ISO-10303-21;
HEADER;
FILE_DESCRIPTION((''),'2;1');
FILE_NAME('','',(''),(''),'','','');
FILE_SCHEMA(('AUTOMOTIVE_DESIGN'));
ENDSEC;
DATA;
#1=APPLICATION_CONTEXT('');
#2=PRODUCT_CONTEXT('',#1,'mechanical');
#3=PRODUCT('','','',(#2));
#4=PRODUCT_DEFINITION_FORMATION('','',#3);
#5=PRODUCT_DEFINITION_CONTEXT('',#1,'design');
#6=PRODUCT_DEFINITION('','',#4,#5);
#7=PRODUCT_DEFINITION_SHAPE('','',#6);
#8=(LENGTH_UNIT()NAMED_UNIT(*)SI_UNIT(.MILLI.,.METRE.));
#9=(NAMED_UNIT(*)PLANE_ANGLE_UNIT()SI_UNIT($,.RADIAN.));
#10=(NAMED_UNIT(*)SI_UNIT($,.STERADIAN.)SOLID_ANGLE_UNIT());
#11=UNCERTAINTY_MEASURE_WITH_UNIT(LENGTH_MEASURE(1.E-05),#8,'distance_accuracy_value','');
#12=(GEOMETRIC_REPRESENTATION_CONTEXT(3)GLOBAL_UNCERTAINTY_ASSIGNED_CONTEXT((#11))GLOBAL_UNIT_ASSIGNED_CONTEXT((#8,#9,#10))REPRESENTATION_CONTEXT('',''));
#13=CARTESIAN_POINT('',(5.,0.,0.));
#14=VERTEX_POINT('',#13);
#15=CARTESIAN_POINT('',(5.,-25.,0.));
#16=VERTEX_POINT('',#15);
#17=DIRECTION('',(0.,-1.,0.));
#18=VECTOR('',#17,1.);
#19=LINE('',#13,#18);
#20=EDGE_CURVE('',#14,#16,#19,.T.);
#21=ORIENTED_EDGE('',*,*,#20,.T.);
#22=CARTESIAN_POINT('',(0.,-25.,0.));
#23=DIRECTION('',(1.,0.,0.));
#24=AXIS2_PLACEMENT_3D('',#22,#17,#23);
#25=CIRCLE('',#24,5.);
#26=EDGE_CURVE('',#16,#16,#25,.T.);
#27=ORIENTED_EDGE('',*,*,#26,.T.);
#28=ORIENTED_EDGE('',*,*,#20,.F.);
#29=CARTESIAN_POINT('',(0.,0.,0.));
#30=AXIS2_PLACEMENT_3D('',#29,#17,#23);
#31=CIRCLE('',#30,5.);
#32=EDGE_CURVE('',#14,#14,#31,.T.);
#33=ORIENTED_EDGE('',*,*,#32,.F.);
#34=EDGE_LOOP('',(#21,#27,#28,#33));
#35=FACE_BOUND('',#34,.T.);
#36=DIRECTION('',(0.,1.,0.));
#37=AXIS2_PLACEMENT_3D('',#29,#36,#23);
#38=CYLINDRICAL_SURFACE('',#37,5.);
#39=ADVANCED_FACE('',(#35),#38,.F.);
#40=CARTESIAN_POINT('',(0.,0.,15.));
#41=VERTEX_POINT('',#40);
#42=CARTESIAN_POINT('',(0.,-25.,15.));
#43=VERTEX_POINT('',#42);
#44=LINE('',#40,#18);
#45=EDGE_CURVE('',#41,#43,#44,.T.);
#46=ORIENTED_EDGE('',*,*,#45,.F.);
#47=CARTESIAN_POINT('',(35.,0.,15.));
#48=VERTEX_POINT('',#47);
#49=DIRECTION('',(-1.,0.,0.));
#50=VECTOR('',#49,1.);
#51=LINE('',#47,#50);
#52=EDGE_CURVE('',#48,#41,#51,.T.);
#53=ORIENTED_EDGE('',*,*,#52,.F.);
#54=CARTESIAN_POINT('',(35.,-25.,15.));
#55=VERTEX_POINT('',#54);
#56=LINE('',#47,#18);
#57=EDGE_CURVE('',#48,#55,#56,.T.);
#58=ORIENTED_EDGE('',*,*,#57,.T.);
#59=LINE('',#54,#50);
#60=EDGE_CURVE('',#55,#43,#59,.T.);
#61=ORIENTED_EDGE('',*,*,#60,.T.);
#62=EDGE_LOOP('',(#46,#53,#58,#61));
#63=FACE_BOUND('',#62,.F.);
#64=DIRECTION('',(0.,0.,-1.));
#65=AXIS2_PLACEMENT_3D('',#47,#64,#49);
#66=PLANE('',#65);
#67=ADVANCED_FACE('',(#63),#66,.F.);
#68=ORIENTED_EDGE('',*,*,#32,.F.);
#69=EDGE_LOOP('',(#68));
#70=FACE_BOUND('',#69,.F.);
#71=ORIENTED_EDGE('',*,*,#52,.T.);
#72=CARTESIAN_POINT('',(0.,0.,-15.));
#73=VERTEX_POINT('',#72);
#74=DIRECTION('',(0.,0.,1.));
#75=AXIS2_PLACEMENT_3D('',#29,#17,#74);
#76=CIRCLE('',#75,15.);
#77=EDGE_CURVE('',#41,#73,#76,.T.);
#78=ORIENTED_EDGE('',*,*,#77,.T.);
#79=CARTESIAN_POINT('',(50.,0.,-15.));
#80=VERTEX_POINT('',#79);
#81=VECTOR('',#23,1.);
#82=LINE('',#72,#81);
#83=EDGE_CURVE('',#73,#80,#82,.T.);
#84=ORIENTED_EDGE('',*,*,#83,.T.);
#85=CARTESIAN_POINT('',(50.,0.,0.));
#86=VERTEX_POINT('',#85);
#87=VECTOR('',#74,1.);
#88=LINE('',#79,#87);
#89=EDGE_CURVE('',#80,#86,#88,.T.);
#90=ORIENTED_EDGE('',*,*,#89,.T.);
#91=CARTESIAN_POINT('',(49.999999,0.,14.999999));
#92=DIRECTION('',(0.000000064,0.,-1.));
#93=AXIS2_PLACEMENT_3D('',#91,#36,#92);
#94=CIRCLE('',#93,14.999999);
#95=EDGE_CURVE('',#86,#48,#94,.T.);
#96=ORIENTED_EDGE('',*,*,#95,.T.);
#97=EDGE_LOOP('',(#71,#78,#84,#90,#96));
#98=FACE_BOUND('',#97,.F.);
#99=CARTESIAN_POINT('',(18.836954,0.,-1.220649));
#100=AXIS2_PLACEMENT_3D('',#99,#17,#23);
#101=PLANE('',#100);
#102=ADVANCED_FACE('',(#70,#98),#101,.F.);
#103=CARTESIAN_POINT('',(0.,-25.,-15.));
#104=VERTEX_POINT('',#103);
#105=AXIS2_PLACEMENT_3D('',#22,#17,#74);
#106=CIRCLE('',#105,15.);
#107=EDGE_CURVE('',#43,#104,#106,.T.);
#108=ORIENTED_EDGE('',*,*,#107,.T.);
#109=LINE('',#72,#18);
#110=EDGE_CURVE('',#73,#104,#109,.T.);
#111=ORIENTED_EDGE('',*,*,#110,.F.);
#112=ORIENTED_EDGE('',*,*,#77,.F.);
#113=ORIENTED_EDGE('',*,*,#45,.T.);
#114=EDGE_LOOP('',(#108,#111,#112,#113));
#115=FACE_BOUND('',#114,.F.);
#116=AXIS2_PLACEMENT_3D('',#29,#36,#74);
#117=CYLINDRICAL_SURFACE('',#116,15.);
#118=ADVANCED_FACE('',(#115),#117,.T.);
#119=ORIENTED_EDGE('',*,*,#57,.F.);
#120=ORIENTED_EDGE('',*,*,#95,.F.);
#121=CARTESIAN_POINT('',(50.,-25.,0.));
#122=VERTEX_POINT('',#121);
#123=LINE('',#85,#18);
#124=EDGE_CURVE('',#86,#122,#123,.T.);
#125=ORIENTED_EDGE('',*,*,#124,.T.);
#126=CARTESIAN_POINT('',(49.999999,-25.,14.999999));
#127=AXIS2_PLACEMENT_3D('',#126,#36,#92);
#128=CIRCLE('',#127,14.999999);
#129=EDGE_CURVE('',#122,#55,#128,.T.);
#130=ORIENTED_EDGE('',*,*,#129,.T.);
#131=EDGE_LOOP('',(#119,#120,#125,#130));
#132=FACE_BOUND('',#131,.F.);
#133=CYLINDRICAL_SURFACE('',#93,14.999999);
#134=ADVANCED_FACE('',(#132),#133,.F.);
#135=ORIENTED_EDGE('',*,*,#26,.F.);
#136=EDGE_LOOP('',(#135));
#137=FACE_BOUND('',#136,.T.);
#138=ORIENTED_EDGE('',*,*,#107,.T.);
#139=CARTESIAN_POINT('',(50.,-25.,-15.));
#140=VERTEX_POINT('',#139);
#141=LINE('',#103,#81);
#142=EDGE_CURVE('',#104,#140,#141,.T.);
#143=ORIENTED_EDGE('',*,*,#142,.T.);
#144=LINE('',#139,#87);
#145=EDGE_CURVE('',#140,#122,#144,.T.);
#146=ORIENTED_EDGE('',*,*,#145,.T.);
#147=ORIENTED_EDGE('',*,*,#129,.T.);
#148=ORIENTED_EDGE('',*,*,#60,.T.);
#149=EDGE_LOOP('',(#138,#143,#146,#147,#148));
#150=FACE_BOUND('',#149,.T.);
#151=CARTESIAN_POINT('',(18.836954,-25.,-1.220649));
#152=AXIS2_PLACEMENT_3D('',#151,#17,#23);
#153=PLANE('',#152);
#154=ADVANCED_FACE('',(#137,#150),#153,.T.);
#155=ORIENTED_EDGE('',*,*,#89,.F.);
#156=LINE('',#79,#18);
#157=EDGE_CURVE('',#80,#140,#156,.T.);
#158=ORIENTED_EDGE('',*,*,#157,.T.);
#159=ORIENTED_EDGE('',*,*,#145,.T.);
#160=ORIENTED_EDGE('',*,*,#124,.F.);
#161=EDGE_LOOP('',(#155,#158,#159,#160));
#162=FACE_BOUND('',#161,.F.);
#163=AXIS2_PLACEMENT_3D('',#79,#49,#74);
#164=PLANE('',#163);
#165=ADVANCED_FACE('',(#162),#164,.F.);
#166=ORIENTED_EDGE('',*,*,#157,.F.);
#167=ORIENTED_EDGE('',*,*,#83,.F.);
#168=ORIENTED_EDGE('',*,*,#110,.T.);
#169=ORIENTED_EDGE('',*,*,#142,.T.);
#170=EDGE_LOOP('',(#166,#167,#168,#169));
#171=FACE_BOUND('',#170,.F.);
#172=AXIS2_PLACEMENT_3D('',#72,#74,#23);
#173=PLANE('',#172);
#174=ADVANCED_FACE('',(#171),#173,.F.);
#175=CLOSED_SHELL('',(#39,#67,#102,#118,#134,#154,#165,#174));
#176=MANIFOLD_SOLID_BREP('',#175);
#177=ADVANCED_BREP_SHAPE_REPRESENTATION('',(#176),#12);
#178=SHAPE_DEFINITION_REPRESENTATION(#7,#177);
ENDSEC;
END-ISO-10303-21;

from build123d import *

# Parameters (mm, degrees)
F0_R     = 5
F1_DEPTH = 25


with BuildPart() as f1:
    # F0 (on Front) → F1 (new body)
    with BuildSketch(Plane.XZ):
        with BuildLine():
            Line((35, 15), (0, 15))
            ThreePointArc((0, 15), (-15, 0), (0, -15))
            Line((0, -15), (50, -15))
            Line((50, -15), (50, 0))
            ThreePointArc((50, 0), (39.393398, 4.393398), (35, 15))
        make_face()
        Circle(F0_R, mode=Mode.SUBTRACT)
    extrude(amount=F1_DEPTH)


solid = f1.part
